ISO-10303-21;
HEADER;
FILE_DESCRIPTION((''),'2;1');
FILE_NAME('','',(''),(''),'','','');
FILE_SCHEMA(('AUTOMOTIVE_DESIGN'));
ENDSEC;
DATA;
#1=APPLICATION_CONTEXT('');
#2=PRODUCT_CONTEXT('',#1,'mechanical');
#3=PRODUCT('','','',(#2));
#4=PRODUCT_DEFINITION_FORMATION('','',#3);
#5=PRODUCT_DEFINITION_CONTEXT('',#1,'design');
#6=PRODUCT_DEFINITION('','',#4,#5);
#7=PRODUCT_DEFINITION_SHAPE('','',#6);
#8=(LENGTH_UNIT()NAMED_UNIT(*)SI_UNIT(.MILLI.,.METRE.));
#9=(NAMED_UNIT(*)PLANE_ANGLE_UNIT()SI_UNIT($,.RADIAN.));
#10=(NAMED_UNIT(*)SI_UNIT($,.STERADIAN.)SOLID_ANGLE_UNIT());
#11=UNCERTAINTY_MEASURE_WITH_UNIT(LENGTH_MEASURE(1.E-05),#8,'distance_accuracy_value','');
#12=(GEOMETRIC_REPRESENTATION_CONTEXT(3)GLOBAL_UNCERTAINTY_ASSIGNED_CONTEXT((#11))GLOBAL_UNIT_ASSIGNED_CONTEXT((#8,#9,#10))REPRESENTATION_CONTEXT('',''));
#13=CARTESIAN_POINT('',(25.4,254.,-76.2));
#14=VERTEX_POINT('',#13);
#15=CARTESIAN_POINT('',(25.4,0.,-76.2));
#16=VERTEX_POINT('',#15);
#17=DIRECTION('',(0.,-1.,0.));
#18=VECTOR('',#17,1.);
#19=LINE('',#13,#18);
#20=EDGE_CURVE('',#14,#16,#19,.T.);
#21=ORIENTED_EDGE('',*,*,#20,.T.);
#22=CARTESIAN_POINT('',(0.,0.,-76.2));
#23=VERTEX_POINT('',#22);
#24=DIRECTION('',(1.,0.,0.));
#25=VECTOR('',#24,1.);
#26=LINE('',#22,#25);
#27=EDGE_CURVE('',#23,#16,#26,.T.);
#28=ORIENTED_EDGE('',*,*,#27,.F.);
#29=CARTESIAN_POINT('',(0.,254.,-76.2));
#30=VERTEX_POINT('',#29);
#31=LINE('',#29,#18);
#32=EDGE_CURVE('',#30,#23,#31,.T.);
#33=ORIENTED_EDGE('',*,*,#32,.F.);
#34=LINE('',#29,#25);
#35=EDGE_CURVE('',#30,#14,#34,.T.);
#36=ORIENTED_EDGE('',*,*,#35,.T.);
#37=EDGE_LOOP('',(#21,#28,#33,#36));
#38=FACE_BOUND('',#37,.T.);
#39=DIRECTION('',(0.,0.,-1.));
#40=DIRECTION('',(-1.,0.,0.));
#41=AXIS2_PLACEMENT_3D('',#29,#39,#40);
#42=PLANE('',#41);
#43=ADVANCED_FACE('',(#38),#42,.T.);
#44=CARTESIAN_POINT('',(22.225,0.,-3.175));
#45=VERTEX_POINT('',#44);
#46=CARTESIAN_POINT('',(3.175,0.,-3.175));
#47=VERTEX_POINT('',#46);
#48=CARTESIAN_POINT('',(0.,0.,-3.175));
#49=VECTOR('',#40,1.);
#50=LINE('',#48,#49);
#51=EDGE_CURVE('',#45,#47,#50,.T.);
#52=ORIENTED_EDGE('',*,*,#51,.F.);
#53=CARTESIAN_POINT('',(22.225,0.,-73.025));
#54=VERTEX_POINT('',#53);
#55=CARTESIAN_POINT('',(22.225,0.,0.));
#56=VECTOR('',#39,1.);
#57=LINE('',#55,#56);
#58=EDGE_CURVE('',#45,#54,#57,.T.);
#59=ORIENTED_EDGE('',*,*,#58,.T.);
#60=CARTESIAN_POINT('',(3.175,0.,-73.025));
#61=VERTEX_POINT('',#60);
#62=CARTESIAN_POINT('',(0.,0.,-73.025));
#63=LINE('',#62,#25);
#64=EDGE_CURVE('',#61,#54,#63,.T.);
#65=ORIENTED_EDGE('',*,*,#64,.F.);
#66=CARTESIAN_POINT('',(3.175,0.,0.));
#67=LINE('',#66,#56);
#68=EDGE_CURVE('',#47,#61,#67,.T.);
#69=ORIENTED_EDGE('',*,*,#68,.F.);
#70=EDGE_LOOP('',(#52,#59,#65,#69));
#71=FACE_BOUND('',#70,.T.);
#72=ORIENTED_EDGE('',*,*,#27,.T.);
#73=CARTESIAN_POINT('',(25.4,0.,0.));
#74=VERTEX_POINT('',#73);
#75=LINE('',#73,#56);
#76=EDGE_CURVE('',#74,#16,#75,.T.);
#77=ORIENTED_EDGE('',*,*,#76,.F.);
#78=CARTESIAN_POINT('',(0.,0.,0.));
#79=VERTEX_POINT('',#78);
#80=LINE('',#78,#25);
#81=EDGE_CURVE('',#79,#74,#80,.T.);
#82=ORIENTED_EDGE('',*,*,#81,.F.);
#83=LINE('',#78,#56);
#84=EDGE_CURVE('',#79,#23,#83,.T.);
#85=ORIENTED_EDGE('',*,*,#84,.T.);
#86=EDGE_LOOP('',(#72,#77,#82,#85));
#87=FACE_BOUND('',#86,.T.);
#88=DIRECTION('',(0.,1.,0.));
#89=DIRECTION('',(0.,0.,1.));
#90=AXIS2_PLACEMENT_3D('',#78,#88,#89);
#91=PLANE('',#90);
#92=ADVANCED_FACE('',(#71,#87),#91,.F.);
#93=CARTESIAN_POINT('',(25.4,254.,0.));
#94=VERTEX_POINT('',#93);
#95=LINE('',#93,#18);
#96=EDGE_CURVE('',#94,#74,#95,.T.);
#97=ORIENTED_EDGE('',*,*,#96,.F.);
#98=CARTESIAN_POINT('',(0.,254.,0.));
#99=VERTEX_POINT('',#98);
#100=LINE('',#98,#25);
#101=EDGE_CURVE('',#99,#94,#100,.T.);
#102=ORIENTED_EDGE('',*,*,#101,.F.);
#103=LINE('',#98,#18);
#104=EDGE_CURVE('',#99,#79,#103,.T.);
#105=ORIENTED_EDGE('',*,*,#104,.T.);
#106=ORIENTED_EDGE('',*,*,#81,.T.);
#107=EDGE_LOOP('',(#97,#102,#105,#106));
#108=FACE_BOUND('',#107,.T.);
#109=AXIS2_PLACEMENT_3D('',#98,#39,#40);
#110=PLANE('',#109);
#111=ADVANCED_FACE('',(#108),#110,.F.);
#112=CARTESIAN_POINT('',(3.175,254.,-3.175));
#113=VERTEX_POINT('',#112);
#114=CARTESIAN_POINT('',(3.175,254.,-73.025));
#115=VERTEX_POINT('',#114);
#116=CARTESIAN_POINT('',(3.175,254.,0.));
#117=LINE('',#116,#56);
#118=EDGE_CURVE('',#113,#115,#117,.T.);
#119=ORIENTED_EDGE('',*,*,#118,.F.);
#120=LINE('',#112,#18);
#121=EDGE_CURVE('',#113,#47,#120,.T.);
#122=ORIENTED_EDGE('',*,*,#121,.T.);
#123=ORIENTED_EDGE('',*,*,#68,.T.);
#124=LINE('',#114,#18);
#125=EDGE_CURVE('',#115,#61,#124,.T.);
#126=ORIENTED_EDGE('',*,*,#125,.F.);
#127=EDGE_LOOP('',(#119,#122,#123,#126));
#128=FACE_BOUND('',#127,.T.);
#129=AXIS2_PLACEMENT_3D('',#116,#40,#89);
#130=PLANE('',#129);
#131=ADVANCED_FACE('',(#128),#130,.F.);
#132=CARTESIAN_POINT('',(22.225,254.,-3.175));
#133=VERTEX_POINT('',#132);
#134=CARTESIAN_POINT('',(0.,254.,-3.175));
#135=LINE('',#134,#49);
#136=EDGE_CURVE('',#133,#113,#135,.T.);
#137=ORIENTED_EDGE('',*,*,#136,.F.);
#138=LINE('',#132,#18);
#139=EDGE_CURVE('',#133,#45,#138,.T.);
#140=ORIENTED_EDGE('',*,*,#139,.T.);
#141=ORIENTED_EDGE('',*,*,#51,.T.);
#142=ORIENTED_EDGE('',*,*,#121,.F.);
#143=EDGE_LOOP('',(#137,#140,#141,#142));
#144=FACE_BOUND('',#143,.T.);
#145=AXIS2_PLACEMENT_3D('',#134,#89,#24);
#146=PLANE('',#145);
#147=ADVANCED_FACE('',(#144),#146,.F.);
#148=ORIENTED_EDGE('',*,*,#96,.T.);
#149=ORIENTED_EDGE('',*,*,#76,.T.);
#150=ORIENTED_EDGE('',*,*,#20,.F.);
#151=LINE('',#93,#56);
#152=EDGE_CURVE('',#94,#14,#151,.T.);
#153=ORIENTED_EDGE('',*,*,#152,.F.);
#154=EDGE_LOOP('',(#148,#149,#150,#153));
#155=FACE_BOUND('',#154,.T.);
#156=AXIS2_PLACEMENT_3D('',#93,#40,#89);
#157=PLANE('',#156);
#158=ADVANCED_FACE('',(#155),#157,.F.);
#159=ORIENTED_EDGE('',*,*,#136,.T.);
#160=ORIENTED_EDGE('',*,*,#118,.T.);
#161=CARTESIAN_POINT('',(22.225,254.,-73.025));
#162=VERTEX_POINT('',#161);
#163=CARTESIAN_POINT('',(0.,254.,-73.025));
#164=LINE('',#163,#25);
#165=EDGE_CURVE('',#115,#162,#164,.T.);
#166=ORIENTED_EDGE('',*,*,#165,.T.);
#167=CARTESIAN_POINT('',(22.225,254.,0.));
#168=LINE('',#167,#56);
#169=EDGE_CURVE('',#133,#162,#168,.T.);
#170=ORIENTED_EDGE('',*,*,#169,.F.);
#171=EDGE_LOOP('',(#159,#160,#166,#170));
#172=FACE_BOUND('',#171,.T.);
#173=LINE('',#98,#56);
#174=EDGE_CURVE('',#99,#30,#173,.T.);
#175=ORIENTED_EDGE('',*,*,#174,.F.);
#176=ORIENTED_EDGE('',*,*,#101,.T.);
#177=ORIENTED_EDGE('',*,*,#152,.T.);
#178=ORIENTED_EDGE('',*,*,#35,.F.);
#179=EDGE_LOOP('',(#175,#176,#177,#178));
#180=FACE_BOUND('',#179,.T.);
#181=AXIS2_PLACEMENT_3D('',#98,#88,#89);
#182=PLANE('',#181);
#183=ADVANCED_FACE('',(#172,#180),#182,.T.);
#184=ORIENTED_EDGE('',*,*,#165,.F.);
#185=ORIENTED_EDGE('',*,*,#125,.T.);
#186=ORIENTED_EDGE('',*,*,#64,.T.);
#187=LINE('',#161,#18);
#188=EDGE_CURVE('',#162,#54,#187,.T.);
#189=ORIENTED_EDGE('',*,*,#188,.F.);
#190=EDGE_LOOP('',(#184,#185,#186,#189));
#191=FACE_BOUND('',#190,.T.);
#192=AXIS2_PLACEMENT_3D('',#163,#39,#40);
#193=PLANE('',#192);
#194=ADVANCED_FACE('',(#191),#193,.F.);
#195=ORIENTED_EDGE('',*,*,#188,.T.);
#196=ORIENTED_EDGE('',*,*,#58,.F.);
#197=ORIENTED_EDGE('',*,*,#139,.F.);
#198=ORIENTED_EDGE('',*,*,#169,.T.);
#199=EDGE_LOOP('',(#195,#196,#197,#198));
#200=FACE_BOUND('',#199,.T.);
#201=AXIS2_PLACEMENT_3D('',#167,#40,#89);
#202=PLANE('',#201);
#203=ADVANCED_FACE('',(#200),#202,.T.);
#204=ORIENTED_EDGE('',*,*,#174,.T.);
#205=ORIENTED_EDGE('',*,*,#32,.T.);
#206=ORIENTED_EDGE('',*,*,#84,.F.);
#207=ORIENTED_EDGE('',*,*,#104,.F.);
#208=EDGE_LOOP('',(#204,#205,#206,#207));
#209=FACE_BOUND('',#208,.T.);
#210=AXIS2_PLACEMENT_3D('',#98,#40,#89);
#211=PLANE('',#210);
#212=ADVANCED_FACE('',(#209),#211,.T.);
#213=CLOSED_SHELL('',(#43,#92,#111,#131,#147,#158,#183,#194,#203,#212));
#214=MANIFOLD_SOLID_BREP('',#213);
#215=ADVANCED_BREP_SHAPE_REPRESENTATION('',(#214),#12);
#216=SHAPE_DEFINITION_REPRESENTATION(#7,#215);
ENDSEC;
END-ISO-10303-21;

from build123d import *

# Parameters (mm, degrees)
SKETCH1_W           = 3.175
SKETCH1_H           = 69.85
BOSS_EXTRUDE1_DEPTH = 254


with BuildPart() as part:
    # Sketch1 → Boss-Extrude1 (new body)
    with BuildSketch(Plane(origin=(0, 0, 0), x_dir=(1, 0, 0), z_dir=(0, 1, 0))):
        with Locations((1.5875, 38.1)):
            Rectangle(SKETCH1_W, SKETCH1_H)
        Polygon((3.175, 3.175), (0, 3.175), (0, 0), (25.4, 0), (25.4, 3.175), (22.225, 3.175), align=None)
        with Locations((23.8125, 38.1)):
            Rectangle(SKETCH1_W, SKETCH1_H)
        Polygon((25.4, 76.2), (0, 76.2), (0, 73.025), (3.175, 73.025), (22.225, 73.025), (25.4, 73.025), align=None)
    extrude(amount=BOSS_EXTRUDE1_DEPTH)


solid = part.part
